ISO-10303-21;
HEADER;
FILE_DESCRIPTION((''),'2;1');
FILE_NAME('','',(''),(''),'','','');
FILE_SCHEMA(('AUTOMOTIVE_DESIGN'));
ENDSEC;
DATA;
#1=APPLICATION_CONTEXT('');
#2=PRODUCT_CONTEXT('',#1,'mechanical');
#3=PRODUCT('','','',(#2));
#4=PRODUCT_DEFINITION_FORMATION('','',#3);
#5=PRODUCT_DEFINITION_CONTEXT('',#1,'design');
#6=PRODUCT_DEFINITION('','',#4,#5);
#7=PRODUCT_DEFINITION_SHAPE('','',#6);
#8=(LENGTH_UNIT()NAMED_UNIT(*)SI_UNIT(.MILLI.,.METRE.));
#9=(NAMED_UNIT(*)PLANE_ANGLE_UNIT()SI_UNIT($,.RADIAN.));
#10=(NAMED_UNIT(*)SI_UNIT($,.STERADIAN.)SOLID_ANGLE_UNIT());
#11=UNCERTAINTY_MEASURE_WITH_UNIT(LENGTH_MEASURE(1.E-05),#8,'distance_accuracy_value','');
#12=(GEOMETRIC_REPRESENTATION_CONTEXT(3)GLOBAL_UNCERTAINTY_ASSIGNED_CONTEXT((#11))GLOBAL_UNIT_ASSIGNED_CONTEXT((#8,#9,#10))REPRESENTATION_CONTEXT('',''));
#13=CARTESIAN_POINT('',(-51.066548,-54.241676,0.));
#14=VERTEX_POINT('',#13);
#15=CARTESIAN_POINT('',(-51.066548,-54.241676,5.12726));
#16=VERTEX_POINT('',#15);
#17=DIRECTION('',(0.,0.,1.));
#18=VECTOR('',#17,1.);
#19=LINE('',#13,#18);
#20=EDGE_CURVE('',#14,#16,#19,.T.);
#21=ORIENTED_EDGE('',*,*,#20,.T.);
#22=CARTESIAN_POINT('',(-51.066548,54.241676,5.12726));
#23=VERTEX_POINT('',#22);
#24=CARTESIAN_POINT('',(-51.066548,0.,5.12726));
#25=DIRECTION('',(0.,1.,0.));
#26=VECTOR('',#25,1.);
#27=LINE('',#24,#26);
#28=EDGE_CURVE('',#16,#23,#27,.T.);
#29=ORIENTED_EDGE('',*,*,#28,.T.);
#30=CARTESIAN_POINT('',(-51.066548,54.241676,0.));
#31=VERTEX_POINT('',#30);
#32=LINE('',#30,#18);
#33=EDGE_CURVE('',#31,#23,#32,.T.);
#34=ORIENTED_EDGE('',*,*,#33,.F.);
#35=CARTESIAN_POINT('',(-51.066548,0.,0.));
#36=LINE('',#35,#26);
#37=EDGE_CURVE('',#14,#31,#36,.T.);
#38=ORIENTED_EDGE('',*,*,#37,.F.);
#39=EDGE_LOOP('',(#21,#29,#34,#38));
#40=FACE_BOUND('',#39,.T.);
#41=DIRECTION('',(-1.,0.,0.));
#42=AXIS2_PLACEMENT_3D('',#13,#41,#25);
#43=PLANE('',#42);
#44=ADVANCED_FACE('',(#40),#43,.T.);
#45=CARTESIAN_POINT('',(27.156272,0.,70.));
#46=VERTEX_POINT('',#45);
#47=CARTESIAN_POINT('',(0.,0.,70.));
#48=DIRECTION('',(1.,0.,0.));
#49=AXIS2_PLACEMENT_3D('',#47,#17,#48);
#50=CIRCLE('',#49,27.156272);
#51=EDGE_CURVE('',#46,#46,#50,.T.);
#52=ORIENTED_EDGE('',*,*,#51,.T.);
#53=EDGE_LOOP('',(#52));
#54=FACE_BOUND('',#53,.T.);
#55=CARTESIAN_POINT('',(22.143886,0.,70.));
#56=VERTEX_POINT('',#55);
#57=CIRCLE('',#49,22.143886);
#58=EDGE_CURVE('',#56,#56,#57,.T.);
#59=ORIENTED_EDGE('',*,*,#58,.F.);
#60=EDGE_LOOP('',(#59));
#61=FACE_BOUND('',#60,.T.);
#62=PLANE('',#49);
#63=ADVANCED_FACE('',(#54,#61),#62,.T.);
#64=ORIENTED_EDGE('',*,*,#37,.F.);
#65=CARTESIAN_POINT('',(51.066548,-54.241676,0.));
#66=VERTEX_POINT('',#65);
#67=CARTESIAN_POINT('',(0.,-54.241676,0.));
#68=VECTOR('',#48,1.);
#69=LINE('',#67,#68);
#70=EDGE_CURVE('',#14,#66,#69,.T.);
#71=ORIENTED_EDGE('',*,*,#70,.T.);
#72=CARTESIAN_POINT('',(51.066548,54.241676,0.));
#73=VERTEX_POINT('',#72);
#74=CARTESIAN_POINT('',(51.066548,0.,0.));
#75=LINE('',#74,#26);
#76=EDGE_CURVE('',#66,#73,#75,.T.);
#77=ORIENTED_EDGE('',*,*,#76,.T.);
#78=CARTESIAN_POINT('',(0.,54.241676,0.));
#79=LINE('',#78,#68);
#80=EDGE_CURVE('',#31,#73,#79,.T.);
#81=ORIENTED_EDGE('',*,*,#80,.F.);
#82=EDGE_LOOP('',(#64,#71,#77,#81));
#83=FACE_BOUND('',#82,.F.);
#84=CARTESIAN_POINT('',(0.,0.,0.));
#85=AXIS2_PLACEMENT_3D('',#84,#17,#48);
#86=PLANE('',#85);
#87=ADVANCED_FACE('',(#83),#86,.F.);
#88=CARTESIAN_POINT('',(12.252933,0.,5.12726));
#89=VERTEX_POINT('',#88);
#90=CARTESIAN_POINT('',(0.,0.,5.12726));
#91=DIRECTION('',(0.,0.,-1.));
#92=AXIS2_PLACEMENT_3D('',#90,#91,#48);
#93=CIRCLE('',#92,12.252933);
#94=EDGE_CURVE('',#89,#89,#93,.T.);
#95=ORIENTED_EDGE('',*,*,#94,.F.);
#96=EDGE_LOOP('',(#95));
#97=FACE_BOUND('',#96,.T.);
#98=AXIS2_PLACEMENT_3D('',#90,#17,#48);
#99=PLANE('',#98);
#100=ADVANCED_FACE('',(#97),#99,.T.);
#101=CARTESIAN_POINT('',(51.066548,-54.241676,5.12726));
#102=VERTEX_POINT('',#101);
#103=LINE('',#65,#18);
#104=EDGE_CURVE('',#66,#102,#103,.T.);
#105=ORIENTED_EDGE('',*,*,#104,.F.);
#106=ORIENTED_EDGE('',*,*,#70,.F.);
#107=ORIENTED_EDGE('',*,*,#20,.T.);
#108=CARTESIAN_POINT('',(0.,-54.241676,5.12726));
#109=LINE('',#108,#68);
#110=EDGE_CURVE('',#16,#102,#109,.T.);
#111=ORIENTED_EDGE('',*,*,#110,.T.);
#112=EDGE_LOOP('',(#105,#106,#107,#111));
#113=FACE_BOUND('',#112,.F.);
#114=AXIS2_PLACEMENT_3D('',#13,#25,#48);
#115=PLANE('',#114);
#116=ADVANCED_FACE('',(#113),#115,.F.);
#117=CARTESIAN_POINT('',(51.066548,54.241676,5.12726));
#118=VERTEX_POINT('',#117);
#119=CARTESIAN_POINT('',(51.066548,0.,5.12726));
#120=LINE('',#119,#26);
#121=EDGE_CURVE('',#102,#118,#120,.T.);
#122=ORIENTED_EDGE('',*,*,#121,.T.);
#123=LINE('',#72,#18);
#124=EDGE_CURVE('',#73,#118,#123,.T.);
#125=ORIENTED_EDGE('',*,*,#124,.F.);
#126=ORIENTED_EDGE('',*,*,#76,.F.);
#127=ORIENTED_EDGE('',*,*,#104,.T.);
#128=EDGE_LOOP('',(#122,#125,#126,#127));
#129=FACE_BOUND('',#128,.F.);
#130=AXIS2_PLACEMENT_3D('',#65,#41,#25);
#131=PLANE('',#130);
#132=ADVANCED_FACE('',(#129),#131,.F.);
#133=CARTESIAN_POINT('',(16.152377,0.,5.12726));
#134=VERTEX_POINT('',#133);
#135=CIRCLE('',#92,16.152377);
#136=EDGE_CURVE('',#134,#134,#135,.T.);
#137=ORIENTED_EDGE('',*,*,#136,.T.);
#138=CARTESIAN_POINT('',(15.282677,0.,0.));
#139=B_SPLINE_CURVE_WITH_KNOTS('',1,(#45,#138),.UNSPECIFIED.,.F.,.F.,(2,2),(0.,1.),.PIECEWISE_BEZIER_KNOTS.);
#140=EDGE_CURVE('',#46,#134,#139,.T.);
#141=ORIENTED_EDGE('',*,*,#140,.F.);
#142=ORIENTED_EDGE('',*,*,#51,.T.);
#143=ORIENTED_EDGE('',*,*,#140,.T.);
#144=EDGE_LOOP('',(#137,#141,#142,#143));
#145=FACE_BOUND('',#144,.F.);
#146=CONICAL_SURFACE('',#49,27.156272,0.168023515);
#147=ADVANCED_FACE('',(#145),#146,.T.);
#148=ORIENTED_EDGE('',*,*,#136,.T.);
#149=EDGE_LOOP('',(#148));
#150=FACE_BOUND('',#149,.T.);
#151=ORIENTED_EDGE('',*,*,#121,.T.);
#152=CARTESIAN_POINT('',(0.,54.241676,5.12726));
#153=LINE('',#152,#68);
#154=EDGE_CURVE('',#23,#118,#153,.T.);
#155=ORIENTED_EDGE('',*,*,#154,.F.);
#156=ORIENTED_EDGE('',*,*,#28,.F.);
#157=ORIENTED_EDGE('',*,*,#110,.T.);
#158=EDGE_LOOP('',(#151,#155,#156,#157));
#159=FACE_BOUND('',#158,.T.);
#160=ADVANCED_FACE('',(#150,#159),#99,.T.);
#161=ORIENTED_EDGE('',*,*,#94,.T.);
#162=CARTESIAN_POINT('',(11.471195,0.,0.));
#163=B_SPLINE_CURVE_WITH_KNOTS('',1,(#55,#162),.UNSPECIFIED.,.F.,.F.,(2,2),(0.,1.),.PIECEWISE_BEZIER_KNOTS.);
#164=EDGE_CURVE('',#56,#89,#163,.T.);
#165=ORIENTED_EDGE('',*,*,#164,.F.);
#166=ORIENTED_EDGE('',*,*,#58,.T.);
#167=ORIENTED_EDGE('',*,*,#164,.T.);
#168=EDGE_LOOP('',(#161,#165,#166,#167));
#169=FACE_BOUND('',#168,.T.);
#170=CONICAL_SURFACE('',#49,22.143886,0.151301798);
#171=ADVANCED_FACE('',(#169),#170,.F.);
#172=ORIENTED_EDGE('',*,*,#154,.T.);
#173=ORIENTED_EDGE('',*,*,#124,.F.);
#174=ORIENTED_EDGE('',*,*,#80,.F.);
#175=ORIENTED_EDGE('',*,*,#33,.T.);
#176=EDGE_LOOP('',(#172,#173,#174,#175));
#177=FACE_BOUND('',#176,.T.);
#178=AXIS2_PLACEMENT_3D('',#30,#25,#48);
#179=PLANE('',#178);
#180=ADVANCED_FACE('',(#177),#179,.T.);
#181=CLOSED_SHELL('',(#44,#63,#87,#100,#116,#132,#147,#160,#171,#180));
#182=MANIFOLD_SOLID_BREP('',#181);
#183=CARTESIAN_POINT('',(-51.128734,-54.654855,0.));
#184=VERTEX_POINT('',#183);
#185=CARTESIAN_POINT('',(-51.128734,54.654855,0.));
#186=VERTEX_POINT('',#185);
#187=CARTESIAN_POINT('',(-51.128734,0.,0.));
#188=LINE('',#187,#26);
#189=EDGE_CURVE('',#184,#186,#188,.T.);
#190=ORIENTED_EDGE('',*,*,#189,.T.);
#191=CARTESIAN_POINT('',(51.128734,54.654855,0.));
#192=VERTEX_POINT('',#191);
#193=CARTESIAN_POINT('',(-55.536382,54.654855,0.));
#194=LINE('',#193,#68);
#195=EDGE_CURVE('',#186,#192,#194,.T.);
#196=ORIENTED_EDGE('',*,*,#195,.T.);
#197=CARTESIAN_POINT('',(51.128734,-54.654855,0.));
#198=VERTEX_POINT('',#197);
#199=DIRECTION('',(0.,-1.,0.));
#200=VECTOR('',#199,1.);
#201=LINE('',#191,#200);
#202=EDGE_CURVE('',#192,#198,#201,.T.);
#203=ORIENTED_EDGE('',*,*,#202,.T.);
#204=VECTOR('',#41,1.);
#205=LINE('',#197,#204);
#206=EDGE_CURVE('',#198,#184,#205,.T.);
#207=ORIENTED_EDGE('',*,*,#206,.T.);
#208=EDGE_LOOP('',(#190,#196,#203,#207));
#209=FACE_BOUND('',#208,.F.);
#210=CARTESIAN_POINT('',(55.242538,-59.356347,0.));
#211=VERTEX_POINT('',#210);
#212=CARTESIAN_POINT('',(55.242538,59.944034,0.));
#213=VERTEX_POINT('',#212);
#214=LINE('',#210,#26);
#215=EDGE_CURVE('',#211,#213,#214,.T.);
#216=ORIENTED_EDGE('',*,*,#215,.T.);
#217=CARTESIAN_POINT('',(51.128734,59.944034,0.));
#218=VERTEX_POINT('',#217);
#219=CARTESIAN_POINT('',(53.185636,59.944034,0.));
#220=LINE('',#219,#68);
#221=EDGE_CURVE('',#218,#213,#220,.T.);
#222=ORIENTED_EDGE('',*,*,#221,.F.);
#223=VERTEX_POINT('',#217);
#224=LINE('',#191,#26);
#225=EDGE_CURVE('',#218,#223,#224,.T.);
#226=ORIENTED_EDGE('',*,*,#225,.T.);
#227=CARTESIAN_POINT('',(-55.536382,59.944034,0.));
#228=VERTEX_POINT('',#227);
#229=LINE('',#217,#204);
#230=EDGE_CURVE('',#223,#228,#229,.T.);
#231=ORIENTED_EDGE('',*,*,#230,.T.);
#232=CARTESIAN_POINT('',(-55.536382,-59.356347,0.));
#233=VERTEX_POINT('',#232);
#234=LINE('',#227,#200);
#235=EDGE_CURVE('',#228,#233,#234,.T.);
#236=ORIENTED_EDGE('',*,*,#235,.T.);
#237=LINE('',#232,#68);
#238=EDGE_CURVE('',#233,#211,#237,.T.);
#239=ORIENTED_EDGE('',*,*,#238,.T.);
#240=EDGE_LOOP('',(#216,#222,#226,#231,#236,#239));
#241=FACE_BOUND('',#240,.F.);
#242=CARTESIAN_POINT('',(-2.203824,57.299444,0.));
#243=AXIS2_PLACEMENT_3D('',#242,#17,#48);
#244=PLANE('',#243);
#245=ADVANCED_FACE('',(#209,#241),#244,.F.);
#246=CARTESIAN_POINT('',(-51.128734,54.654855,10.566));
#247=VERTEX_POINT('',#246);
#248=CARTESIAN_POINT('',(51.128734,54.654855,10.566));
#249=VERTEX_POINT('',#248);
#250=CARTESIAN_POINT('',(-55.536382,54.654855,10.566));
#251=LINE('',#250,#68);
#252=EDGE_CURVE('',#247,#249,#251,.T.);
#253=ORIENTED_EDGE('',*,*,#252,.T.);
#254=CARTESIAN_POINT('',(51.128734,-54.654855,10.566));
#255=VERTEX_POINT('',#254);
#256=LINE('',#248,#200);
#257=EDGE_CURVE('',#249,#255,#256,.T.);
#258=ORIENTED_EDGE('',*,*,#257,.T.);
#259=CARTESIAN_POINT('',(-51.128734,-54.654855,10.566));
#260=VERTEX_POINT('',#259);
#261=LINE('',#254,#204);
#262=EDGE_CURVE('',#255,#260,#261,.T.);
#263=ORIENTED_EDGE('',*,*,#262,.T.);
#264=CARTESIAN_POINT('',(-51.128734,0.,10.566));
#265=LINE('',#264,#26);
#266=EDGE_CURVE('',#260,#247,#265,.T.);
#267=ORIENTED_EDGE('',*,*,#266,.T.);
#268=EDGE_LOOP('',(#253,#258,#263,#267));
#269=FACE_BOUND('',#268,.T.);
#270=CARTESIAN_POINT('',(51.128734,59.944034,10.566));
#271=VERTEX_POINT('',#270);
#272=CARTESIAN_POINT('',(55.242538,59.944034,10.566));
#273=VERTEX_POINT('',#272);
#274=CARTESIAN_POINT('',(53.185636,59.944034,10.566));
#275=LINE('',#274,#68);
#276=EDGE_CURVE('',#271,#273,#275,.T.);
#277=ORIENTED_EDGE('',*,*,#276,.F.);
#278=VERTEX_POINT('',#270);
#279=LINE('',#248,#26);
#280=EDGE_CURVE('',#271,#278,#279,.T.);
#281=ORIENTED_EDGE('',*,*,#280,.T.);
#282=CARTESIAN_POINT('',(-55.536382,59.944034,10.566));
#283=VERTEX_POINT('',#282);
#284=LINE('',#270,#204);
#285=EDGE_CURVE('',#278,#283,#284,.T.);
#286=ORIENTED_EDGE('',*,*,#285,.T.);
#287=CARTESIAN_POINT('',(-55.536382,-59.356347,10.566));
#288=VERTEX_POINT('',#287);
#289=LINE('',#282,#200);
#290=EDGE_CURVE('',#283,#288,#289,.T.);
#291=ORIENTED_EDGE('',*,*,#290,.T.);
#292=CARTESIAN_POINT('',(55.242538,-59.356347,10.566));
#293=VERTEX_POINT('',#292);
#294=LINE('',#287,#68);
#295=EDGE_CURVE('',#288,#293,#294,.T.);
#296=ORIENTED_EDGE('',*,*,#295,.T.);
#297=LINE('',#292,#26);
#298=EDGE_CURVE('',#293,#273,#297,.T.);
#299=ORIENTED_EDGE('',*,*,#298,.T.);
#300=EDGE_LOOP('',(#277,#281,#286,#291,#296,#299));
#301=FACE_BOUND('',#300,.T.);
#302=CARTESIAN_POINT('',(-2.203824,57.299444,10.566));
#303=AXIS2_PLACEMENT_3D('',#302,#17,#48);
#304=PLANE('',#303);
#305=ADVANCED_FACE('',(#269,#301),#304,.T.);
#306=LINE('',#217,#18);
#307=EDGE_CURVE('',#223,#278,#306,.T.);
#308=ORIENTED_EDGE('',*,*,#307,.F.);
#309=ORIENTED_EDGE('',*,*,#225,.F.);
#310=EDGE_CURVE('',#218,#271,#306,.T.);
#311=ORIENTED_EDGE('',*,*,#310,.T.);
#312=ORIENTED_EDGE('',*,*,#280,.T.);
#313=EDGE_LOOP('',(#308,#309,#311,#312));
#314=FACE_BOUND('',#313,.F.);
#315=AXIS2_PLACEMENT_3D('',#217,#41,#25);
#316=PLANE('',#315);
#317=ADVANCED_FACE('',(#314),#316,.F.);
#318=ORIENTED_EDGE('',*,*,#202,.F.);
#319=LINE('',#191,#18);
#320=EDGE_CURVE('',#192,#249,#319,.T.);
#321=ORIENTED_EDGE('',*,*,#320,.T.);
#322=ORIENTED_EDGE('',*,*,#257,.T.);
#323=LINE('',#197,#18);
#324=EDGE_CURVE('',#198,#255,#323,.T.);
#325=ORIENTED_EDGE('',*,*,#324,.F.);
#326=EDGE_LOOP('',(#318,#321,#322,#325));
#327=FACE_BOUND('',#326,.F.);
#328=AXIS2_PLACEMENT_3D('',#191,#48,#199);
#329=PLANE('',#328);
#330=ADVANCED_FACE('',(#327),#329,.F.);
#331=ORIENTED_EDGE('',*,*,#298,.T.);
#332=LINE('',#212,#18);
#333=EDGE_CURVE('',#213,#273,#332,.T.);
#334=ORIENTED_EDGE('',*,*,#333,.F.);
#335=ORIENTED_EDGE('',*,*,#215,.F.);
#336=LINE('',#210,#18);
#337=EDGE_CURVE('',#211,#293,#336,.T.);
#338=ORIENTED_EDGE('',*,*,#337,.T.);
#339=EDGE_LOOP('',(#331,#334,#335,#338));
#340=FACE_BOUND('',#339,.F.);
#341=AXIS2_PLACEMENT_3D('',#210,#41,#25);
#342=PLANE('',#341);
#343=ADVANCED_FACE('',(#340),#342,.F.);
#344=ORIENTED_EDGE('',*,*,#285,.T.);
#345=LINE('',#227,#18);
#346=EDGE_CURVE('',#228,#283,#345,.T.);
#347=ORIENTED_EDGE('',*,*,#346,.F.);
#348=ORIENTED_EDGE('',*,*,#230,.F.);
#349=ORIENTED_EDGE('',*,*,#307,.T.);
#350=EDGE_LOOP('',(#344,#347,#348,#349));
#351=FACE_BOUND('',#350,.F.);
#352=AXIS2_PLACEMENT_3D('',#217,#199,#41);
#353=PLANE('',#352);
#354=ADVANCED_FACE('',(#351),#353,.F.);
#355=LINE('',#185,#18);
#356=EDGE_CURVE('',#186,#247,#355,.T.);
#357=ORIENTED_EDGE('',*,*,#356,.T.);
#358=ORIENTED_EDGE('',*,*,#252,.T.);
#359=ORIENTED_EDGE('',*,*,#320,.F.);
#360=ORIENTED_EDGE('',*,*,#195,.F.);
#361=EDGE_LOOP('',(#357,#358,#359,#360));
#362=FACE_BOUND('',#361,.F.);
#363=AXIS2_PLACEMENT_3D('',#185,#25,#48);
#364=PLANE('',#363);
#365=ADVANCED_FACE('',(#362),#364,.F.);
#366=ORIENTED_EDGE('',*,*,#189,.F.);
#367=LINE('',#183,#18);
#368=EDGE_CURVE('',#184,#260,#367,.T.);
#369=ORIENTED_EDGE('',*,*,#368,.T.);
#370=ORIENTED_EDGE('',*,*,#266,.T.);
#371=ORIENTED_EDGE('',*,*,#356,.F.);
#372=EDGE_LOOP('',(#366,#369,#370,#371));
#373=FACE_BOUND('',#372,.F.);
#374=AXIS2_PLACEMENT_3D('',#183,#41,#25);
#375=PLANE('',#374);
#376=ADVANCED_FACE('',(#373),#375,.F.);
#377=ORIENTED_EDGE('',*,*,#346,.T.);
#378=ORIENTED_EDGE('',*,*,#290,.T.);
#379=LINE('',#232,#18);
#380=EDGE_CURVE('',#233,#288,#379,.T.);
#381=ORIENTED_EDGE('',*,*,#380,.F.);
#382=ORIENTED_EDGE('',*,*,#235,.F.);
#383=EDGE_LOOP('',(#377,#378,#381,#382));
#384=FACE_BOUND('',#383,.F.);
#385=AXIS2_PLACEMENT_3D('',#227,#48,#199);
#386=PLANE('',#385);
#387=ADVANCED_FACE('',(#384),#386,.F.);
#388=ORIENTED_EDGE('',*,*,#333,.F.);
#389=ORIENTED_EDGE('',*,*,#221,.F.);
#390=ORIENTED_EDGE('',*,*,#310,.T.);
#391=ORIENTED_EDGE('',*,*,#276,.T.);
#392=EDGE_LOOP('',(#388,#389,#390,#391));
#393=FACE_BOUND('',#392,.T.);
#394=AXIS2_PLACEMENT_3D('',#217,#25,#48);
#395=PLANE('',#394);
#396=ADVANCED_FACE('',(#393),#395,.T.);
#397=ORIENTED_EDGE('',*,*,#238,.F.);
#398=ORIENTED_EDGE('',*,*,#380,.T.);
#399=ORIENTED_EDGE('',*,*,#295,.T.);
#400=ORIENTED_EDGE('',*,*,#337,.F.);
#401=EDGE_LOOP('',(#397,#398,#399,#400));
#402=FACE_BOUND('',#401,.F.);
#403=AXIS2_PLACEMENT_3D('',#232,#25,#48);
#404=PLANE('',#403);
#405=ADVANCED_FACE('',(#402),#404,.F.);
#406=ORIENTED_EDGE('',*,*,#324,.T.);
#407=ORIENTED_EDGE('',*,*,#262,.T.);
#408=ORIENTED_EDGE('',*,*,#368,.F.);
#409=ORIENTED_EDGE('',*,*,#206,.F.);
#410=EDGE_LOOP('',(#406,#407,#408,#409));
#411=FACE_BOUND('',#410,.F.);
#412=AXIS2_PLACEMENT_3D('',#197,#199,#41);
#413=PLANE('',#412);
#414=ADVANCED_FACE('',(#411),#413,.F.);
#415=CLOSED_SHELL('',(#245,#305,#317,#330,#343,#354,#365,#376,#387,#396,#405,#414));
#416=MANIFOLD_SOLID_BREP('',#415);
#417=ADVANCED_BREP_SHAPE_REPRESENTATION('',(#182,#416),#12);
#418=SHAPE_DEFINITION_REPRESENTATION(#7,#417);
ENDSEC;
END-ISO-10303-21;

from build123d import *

# Parameters (mm, degrees)
F2_R     = 27.156272
F0_R     = 15.282677
F0_W     = 4.407648
F0_H     = 109.30971
F0_W_2   = 4.113804
F0_H_2   = 5.289179
F4_DEPTH = 10.566
F5_R     = 22.143886
F6_R     = 11.471195
F8_W     = 102.133096
F8_H     = 108.483352
F9_DEPTH = 5.12726


with BuildPart() as f3:
    # F2 (on offset) → F3 section 0
    with BuildSketch(Plane.XY.offset(70)):
        Circle(F2_R)
    # F0 (on Top) → F3 section 1
    with BuildSketch(Plane.XY):
        Circle(F0_R)
    loft()

    # F5 (on face) → F7 section 0
    with BuildSketch(Plane.XY.offset(70)):
        Circle(F5_R)
    # F6 (on Top) → F7 section 1
    with BuildSketch(Plane.XY):
        Circle(F6_R)
    loft(mode=Mode.SUBTRACT)

    # F8 (on Top) → F9 (join)
    with BuildSketch(Plane.XY):
        Rectangle(F8_W, F8_H)
    extrude(amount=F9_DEPTH)


with BuildPart() as f4:
    # F0 (on Top) → F4 (new body)
    with BuildSketch(Plane.XY):
        Polygon((-55.536382, 54.654855), (-51.128734, 54.654855), (51.128734, 54.654855), (51.128734, 59.944034), (-55.536382, 59.944034), align=None)
        with Locations((-53.332558, 0)):
            Rectangle(F0_W, F0_H)
        Polygon((55.242538, 54.654855), (51.128734, 54.654855), (51.128734, -54.654855), (51.128734, -59.356347), (55.242538, -59.356347), align=None)
        with Locations((53.185636, 57.299444)):
            Rectangle(F0_W_2, F0_H_2)
        Polygon((51.128734, -54.654855), (-51.128734, -54.654855), (-55.536382, -54.654855), (-55.536382, -59.356347), (51.128734, -59.356347), align=None)
    extrude(amount=F4_DEPTH)


solid = Compound([f3.part, f4.part])
